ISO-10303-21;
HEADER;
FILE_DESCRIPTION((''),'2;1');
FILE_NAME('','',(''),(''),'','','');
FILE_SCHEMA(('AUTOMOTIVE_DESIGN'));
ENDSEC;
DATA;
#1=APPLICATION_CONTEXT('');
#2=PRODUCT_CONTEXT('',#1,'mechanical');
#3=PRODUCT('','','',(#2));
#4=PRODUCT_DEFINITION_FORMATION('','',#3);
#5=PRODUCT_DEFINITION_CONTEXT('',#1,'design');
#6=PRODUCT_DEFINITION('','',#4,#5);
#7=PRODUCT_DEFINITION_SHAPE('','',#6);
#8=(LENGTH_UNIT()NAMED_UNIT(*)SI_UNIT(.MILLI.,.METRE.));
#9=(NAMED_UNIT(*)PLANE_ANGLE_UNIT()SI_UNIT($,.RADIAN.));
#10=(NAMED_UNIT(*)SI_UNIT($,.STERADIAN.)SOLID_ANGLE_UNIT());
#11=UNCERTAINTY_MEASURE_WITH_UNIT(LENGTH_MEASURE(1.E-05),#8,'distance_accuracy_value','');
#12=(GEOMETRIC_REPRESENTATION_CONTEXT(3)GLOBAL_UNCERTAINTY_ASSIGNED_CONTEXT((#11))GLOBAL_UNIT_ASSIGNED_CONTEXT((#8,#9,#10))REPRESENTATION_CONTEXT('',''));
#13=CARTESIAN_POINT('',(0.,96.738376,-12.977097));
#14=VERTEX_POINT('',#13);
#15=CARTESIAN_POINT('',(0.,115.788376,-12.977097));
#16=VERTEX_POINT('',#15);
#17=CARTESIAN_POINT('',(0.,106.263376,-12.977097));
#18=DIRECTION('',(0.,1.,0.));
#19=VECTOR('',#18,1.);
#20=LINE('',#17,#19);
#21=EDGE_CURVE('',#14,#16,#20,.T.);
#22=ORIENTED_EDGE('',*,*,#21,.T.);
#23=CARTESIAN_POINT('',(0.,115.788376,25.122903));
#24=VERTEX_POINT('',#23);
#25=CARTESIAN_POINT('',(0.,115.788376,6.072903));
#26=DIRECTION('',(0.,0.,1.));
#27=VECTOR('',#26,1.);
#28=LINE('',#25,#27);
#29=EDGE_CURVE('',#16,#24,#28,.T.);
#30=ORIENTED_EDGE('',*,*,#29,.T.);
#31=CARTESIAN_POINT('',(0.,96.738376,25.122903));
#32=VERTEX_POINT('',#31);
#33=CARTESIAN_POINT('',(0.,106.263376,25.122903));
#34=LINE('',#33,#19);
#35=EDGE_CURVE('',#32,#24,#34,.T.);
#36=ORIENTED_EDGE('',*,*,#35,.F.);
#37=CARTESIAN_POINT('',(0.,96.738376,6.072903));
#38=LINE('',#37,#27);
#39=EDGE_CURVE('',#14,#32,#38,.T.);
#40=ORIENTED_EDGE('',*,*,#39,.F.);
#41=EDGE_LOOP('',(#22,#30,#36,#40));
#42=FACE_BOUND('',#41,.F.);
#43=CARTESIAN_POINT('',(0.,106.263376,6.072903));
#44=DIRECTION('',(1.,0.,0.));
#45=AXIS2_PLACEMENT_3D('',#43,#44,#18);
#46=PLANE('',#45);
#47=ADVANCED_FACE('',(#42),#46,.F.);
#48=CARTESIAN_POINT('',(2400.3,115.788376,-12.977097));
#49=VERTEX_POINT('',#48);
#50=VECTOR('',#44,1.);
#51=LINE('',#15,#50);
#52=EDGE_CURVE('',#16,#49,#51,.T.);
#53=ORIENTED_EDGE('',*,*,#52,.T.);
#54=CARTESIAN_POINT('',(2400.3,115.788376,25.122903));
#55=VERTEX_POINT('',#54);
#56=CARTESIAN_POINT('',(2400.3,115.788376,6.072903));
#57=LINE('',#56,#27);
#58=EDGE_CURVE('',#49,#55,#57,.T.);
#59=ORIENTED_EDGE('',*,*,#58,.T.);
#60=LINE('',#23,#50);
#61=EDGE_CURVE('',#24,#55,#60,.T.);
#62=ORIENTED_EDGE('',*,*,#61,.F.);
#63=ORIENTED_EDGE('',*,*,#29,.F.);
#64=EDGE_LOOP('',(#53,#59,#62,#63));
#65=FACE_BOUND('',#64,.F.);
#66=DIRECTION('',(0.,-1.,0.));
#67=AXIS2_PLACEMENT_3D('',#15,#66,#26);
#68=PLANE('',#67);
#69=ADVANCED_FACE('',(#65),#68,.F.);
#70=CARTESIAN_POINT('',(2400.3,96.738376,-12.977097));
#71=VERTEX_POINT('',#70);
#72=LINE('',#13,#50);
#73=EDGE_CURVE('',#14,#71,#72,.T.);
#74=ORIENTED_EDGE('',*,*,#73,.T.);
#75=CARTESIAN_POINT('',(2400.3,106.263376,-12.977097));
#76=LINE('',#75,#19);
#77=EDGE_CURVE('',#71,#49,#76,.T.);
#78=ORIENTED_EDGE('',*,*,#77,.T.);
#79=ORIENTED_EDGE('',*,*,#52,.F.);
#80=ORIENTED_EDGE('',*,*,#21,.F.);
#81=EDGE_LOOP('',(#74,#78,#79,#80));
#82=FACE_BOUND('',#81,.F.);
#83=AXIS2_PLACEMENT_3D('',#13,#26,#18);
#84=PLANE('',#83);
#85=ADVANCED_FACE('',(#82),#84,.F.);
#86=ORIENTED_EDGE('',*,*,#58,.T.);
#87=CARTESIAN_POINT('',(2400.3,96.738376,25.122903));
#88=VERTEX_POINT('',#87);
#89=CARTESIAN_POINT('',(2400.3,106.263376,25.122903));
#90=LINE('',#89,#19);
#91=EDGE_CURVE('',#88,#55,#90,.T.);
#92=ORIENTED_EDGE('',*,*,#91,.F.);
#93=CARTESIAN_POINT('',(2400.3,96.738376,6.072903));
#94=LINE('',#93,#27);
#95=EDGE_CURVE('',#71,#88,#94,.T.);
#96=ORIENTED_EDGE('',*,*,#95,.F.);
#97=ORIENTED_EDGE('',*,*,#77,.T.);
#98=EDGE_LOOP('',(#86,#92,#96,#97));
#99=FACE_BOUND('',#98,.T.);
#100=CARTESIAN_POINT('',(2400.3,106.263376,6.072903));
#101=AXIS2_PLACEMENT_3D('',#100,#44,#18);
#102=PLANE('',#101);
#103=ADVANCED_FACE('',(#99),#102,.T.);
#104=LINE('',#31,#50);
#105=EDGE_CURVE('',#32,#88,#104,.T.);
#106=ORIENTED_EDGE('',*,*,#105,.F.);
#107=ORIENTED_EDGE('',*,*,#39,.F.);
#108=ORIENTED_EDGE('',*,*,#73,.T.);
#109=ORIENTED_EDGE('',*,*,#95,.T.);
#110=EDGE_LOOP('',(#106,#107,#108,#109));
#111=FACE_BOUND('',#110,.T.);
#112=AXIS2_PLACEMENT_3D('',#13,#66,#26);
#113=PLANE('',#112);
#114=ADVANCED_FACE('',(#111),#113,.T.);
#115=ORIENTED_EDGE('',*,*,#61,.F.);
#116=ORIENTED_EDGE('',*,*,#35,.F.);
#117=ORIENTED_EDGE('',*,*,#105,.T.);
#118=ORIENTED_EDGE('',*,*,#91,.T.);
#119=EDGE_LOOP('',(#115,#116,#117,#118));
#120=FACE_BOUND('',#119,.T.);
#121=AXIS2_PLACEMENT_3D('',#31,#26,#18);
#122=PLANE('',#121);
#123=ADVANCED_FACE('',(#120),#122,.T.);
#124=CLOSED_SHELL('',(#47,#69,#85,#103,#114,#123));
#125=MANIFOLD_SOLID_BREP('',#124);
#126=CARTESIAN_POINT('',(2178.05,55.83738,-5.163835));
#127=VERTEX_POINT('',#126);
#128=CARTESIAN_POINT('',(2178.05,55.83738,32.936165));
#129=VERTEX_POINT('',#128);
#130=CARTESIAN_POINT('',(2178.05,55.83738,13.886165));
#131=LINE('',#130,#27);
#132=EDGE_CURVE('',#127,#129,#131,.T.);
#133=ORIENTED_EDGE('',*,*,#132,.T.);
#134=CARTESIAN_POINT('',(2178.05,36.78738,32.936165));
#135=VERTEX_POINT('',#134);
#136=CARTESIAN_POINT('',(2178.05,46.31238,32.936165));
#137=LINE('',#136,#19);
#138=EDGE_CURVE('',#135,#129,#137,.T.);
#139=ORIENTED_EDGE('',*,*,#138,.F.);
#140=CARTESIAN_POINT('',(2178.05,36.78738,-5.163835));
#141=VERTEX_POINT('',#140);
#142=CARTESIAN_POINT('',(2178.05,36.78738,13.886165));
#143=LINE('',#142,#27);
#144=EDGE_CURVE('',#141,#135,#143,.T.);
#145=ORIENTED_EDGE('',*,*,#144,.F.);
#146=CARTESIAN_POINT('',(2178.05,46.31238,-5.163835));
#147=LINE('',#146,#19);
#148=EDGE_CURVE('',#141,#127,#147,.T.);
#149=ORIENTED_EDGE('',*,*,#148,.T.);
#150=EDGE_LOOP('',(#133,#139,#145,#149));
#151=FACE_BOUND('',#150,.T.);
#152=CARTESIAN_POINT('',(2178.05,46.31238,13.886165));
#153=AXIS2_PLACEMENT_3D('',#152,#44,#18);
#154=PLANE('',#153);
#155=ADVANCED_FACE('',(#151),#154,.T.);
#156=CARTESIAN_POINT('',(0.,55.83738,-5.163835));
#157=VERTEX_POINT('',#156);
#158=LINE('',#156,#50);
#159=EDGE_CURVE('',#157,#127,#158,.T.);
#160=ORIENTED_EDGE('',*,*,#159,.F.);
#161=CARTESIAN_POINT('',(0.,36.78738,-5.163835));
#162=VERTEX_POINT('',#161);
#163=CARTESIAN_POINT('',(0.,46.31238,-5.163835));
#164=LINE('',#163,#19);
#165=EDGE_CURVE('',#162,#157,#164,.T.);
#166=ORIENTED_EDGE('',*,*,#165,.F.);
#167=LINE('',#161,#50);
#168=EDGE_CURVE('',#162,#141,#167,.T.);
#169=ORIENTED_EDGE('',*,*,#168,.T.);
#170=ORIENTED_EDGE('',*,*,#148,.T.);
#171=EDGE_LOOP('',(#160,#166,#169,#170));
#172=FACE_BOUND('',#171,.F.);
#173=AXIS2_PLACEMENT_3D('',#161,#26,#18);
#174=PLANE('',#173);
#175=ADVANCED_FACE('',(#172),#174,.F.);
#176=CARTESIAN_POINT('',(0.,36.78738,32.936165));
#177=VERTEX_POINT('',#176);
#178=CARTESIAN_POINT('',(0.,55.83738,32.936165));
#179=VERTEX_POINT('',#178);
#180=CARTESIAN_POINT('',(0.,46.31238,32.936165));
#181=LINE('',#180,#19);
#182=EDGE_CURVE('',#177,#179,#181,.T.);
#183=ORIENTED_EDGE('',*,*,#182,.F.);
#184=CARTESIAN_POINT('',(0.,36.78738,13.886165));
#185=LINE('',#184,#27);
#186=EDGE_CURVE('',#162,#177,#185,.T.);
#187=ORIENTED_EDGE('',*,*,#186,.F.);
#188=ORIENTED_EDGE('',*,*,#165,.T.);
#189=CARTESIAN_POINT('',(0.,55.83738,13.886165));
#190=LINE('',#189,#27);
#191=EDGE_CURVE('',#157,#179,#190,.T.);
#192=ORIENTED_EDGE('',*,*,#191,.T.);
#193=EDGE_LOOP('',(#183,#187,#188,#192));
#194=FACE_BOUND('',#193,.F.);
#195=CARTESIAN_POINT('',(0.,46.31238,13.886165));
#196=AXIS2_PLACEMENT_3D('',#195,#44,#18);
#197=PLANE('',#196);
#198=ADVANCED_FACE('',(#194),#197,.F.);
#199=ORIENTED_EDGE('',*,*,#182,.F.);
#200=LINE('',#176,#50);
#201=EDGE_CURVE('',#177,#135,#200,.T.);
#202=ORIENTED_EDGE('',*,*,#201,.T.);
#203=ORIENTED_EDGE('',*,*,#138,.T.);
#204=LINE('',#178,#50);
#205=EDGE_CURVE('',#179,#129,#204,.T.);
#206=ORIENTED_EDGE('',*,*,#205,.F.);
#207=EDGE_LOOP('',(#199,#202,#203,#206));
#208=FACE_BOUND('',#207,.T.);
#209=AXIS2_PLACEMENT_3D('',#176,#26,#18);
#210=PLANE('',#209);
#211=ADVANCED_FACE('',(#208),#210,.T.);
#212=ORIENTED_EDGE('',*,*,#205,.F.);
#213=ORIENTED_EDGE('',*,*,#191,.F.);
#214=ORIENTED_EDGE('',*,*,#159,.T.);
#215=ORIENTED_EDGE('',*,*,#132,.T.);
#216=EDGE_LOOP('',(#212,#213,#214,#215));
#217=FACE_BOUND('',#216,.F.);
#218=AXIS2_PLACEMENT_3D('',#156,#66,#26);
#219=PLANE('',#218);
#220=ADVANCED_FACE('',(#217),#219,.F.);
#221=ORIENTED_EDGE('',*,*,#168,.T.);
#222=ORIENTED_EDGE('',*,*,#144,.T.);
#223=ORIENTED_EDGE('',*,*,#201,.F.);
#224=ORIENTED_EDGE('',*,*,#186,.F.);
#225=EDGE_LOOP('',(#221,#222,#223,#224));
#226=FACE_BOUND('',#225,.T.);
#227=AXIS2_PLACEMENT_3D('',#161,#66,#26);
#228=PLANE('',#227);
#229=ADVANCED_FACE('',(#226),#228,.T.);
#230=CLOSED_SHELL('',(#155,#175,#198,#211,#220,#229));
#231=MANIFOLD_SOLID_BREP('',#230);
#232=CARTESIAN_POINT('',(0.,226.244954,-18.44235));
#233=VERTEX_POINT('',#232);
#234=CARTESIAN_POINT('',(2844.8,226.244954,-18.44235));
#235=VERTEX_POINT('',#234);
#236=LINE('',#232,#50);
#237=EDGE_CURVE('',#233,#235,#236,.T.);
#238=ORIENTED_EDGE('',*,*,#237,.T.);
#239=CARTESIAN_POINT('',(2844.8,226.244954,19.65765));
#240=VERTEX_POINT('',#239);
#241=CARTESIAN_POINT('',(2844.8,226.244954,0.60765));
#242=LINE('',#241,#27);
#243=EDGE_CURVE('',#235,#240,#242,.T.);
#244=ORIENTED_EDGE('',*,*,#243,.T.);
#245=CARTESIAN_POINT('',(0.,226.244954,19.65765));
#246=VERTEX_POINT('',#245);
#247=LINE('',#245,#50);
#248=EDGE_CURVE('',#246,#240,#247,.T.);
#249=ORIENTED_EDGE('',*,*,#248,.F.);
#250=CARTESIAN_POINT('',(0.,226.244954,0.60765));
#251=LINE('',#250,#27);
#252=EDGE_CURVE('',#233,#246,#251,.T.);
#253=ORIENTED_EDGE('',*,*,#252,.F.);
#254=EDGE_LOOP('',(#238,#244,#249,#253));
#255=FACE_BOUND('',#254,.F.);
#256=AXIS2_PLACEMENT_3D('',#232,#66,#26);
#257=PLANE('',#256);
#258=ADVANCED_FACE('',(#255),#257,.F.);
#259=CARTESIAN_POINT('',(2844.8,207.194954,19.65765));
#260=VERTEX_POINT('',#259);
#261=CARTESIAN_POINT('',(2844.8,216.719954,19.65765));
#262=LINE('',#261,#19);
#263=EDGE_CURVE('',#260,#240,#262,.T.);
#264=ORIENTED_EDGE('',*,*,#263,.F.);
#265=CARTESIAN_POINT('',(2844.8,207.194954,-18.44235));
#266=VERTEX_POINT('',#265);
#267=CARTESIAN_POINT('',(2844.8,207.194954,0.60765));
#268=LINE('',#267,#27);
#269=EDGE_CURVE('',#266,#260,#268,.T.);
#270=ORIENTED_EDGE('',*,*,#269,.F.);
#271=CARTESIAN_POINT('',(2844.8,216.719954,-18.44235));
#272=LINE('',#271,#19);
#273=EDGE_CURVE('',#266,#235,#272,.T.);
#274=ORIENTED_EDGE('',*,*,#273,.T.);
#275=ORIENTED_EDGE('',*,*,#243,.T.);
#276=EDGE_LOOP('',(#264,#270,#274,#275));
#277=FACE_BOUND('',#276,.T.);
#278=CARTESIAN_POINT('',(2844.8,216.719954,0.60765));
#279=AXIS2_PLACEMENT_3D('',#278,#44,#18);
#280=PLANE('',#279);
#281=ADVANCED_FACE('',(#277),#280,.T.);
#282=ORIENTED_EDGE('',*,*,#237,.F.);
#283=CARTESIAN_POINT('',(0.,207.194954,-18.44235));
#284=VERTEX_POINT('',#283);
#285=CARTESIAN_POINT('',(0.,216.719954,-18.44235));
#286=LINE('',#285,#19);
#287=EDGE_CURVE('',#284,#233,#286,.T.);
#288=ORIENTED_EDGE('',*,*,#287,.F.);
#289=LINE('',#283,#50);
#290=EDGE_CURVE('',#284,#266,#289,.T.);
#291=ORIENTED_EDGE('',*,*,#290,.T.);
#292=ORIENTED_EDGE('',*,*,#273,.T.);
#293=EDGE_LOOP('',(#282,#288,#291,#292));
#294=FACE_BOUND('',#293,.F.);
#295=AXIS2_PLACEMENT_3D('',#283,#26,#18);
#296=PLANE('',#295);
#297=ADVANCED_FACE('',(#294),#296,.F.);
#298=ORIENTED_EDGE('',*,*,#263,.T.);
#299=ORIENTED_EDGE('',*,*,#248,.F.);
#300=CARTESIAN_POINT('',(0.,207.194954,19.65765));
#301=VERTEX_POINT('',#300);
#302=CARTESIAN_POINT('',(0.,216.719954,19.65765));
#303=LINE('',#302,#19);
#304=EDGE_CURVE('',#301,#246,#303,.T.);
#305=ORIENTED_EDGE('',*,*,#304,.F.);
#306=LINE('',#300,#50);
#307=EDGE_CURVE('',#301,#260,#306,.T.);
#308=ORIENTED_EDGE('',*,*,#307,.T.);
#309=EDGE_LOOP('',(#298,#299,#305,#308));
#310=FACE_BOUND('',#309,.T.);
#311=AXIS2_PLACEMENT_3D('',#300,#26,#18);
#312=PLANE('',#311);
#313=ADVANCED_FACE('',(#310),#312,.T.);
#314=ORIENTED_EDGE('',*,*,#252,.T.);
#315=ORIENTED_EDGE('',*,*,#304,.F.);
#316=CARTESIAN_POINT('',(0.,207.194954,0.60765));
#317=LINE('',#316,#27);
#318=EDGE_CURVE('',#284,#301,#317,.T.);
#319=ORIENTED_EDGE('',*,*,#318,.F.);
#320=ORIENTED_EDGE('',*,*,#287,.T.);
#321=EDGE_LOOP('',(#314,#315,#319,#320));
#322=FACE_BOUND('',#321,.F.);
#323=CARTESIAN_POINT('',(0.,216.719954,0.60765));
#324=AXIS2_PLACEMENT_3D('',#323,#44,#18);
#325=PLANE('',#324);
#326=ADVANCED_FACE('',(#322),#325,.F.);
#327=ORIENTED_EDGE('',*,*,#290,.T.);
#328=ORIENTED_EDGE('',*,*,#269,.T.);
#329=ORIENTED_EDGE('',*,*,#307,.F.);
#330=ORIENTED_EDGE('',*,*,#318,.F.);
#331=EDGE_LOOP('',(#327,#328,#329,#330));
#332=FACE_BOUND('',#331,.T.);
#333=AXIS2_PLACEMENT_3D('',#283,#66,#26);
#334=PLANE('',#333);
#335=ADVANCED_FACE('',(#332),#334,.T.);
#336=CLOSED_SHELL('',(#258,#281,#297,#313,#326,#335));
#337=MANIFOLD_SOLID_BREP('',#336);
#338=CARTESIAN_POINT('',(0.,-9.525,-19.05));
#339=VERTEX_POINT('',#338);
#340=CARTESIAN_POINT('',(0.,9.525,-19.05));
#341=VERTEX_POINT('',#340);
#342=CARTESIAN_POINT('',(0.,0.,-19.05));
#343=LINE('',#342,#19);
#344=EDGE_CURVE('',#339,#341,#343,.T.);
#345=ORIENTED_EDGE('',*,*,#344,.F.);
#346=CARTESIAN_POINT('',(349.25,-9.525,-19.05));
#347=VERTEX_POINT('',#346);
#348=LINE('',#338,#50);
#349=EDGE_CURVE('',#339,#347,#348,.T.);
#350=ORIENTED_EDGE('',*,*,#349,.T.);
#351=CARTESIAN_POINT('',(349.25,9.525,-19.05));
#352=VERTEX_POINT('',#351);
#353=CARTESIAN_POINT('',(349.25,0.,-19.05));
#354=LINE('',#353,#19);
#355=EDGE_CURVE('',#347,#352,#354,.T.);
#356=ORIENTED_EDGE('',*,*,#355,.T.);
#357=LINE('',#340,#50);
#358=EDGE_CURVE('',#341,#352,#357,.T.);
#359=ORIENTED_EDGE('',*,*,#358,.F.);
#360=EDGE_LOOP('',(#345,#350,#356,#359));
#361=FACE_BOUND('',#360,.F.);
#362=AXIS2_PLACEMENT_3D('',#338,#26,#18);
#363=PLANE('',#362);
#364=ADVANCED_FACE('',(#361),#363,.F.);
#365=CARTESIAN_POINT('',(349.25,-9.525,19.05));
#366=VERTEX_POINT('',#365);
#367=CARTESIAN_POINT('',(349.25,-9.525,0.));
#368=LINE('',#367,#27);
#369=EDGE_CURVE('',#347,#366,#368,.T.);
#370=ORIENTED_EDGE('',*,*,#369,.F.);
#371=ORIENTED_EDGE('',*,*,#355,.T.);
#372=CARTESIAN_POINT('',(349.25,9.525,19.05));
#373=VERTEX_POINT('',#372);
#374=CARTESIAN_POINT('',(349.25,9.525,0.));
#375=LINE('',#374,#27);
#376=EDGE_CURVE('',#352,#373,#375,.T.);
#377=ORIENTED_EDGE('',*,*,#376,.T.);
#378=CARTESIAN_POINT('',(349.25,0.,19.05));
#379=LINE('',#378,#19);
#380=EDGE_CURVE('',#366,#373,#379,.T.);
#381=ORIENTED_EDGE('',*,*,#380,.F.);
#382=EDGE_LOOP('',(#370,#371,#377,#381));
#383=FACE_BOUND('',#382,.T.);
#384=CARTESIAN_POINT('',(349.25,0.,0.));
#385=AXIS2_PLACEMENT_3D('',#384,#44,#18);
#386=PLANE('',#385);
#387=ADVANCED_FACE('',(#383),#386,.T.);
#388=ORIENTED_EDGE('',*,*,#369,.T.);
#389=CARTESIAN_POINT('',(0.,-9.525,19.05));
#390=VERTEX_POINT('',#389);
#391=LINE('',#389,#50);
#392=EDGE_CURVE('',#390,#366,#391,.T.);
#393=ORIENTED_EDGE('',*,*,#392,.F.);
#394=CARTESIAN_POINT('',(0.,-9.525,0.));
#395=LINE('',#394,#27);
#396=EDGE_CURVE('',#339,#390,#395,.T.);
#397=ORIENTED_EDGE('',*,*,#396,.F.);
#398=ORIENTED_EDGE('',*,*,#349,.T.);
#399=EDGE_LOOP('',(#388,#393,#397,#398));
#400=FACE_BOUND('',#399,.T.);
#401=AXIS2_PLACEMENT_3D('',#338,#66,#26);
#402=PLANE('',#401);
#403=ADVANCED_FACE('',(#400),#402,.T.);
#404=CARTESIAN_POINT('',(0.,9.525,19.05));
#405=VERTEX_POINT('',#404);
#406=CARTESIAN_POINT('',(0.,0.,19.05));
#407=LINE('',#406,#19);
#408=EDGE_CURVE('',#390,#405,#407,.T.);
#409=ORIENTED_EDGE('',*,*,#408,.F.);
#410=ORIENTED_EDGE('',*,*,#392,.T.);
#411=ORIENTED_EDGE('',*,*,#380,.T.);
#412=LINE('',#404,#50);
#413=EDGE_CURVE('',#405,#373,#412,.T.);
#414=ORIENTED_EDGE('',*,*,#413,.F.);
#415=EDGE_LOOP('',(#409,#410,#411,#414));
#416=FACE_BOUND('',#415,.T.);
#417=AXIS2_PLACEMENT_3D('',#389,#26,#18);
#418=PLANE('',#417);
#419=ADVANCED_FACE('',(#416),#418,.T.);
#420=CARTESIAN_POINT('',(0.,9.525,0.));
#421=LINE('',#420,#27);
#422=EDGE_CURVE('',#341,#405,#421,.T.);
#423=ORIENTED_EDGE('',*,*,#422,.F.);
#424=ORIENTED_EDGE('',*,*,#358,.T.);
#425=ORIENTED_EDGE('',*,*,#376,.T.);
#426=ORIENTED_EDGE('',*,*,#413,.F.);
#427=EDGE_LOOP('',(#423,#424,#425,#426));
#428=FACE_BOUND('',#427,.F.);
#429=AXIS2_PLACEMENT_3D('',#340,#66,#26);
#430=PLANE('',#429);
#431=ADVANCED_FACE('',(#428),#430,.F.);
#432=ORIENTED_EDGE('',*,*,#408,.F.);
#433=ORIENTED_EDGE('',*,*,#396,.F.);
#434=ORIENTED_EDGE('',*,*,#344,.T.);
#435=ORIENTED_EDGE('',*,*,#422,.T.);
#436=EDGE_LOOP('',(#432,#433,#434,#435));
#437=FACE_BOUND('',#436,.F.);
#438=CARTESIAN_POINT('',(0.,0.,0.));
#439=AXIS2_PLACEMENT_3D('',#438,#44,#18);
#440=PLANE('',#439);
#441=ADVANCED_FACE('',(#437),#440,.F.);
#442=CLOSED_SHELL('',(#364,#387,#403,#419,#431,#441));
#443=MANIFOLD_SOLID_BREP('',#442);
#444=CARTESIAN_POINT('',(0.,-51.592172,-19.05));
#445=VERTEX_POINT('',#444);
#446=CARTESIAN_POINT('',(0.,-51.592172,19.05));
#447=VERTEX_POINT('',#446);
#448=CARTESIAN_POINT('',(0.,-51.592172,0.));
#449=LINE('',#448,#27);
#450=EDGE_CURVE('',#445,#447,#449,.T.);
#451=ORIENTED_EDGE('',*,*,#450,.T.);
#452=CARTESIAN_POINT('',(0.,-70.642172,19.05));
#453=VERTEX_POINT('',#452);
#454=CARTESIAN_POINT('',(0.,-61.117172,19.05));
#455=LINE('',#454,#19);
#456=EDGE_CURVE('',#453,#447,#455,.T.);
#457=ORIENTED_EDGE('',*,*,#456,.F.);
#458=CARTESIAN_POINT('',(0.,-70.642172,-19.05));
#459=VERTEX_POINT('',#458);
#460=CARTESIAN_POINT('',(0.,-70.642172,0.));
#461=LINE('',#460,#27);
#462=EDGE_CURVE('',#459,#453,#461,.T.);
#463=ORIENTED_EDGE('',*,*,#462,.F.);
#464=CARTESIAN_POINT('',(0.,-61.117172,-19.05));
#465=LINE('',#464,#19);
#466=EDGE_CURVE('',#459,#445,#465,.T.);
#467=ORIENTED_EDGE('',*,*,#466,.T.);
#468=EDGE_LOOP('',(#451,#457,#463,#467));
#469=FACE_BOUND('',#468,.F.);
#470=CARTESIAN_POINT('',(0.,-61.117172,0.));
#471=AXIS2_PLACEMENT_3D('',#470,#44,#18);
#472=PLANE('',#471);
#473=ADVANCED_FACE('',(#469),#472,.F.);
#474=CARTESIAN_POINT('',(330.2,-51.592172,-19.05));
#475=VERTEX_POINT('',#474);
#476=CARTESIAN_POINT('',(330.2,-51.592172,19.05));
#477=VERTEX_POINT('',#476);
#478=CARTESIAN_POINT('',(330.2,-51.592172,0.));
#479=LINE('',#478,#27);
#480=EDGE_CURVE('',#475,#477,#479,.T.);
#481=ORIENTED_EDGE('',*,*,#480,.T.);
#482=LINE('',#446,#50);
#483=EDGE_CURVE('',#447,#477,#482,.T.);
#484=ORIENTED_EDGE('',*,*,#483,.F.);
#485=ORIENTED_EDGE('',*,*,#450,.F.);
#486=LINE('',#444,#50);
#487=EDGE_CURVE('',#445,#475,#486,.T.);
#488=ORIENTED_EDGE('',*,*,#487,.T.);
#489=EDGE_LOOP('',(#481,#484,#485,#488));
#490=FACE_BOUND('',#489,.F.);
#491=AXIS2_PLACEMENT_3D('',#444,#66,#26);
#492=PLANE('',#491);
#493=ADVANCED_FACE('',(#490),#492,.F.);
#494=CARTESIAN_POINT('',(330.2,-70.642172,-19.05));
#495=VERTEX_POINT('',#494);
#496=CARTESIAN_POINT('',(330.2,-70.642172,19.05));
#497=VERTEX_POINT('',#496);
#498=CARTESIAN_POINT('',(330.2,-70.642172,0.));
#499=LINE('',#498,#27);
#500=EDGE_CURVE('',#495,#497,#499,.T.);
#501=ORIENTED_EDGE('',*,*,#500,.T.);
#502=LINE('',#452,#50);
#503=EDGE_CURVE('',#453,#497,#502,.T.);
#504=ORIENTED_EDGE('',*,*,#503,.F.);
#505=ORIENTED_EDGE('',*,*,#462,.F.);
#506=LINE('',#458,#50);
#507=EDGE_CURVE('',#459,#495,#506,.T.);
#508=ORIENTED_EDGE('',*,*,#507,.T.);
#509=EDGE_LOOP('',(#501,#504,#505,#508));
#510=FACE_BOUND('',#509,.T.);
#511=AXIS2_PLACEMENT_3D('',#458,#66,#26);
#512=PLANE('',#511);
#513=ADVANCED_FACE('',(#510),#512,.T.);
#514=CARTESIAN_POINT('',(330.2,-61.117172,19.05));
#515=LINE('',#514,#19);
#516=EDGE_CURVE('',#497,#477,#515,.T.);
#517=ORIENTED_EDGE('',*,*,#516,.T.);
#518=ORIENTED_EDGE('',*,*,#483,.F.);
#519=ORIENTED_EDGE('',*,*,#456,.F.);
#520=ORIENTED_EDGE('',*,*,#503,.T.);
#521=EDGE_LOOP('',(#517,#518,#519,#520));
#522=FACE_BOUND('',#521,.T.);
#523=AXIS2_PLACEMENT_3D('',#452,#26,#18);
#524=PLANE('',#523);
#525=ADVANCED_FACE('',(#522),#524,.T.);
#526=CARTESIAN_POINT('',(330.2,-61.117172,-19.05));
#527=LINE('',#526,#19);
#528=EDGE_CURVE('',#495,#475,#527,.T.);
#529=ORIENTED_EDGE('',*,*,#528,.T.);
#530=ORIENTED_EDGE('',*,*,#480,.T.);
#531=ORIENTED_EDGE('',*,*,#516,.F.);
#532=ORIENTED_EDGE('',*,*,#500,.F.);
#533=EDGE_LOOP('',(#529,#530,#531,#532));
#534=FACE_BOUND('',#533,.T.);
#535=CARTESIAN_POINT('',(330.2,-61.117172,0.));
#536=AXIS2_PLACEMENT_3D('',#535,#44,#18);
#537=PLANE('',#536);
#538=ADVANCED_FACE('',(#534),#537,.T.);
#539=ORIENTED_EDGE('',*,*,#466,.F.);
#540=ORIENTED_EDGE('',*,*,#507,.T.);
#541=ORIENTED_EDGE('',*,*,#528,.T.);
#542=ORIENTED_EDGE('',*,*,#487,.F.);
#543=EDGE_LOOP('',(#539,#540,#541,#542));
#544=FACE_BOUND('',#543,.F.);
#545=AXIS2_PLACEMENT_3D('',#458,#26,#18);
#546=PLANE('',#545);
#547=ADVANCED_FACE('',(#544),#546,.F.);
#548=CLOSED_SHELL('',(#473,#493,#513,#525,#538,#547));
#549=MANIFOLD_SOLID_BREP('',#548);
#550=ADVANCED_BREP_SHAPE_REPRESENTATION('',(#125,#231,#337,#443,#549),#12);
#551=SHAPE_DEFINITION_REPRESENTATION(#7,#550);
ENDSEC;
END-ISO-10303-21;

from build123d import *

# Parameters (mm, degrees)
F0_W     = 19.05
F0_H     = 38.1
F1_DEPTH = 349.25
F2_W     = 19.05
F2_H     = 38.1
F3_DEPTH = 2400.3
F4_W     = 19.05
F4_H     = 38.1
F5_DEPTH = 2844.8
F6_W     = 19.05
F6_H     = 38.1
F7_DEPTH = 2178.05
F8_W     = 19.05
F8_H     = 38.1
F9_DEPTH = 330.2


with BuildPart() as f1:
    # F0 (on Right) → F1 (new body)
    with BuildSketch(Plane.YZ):
        Rectangle(F0_W, F0_H)
    extrude(amount=F1_DEPTH)


with BuildPart() as f3:
    # F2 (on Right) → F3 (new body)
    with BuildSketch(Plane.YZ):
        with Locations((106.263376, 6.072903)):
            Rectangle(F2_W, F2_H)
    extrude(amount=F3_DEPTH)


with BuildPart() as f5:
    # F4 (on Right) → F5 (new body)
    with BuildSketch(Plane.YZ):
        with Locations((216.719954, 0.60765)):
            Rectangle(F4_W, F4_H)
    extrude(amount=F5_DEPTH)


with BuildPart() as f7:
    # F6 (on Right) → F7 (new body)
    with BuildSketch(Plane.YZ):
        with Locations((46.31238, 13.886165)):
            Rectangle(F6_W, F6_H)
    extrude(amount=F7_DEPTH)


with BuildPart() as f9:
    # F8 (on Right) → F9 (new body)
    with BuildSketch(Plane.YZ):
        with Locations((-61.117172, 0)):
            Rectangle(F8_W, F8_H)
    extrude(amount=F9_DEPTH)


solid = Compound([f1.part, f3.part, f5.part, f7.part, f9.part])
